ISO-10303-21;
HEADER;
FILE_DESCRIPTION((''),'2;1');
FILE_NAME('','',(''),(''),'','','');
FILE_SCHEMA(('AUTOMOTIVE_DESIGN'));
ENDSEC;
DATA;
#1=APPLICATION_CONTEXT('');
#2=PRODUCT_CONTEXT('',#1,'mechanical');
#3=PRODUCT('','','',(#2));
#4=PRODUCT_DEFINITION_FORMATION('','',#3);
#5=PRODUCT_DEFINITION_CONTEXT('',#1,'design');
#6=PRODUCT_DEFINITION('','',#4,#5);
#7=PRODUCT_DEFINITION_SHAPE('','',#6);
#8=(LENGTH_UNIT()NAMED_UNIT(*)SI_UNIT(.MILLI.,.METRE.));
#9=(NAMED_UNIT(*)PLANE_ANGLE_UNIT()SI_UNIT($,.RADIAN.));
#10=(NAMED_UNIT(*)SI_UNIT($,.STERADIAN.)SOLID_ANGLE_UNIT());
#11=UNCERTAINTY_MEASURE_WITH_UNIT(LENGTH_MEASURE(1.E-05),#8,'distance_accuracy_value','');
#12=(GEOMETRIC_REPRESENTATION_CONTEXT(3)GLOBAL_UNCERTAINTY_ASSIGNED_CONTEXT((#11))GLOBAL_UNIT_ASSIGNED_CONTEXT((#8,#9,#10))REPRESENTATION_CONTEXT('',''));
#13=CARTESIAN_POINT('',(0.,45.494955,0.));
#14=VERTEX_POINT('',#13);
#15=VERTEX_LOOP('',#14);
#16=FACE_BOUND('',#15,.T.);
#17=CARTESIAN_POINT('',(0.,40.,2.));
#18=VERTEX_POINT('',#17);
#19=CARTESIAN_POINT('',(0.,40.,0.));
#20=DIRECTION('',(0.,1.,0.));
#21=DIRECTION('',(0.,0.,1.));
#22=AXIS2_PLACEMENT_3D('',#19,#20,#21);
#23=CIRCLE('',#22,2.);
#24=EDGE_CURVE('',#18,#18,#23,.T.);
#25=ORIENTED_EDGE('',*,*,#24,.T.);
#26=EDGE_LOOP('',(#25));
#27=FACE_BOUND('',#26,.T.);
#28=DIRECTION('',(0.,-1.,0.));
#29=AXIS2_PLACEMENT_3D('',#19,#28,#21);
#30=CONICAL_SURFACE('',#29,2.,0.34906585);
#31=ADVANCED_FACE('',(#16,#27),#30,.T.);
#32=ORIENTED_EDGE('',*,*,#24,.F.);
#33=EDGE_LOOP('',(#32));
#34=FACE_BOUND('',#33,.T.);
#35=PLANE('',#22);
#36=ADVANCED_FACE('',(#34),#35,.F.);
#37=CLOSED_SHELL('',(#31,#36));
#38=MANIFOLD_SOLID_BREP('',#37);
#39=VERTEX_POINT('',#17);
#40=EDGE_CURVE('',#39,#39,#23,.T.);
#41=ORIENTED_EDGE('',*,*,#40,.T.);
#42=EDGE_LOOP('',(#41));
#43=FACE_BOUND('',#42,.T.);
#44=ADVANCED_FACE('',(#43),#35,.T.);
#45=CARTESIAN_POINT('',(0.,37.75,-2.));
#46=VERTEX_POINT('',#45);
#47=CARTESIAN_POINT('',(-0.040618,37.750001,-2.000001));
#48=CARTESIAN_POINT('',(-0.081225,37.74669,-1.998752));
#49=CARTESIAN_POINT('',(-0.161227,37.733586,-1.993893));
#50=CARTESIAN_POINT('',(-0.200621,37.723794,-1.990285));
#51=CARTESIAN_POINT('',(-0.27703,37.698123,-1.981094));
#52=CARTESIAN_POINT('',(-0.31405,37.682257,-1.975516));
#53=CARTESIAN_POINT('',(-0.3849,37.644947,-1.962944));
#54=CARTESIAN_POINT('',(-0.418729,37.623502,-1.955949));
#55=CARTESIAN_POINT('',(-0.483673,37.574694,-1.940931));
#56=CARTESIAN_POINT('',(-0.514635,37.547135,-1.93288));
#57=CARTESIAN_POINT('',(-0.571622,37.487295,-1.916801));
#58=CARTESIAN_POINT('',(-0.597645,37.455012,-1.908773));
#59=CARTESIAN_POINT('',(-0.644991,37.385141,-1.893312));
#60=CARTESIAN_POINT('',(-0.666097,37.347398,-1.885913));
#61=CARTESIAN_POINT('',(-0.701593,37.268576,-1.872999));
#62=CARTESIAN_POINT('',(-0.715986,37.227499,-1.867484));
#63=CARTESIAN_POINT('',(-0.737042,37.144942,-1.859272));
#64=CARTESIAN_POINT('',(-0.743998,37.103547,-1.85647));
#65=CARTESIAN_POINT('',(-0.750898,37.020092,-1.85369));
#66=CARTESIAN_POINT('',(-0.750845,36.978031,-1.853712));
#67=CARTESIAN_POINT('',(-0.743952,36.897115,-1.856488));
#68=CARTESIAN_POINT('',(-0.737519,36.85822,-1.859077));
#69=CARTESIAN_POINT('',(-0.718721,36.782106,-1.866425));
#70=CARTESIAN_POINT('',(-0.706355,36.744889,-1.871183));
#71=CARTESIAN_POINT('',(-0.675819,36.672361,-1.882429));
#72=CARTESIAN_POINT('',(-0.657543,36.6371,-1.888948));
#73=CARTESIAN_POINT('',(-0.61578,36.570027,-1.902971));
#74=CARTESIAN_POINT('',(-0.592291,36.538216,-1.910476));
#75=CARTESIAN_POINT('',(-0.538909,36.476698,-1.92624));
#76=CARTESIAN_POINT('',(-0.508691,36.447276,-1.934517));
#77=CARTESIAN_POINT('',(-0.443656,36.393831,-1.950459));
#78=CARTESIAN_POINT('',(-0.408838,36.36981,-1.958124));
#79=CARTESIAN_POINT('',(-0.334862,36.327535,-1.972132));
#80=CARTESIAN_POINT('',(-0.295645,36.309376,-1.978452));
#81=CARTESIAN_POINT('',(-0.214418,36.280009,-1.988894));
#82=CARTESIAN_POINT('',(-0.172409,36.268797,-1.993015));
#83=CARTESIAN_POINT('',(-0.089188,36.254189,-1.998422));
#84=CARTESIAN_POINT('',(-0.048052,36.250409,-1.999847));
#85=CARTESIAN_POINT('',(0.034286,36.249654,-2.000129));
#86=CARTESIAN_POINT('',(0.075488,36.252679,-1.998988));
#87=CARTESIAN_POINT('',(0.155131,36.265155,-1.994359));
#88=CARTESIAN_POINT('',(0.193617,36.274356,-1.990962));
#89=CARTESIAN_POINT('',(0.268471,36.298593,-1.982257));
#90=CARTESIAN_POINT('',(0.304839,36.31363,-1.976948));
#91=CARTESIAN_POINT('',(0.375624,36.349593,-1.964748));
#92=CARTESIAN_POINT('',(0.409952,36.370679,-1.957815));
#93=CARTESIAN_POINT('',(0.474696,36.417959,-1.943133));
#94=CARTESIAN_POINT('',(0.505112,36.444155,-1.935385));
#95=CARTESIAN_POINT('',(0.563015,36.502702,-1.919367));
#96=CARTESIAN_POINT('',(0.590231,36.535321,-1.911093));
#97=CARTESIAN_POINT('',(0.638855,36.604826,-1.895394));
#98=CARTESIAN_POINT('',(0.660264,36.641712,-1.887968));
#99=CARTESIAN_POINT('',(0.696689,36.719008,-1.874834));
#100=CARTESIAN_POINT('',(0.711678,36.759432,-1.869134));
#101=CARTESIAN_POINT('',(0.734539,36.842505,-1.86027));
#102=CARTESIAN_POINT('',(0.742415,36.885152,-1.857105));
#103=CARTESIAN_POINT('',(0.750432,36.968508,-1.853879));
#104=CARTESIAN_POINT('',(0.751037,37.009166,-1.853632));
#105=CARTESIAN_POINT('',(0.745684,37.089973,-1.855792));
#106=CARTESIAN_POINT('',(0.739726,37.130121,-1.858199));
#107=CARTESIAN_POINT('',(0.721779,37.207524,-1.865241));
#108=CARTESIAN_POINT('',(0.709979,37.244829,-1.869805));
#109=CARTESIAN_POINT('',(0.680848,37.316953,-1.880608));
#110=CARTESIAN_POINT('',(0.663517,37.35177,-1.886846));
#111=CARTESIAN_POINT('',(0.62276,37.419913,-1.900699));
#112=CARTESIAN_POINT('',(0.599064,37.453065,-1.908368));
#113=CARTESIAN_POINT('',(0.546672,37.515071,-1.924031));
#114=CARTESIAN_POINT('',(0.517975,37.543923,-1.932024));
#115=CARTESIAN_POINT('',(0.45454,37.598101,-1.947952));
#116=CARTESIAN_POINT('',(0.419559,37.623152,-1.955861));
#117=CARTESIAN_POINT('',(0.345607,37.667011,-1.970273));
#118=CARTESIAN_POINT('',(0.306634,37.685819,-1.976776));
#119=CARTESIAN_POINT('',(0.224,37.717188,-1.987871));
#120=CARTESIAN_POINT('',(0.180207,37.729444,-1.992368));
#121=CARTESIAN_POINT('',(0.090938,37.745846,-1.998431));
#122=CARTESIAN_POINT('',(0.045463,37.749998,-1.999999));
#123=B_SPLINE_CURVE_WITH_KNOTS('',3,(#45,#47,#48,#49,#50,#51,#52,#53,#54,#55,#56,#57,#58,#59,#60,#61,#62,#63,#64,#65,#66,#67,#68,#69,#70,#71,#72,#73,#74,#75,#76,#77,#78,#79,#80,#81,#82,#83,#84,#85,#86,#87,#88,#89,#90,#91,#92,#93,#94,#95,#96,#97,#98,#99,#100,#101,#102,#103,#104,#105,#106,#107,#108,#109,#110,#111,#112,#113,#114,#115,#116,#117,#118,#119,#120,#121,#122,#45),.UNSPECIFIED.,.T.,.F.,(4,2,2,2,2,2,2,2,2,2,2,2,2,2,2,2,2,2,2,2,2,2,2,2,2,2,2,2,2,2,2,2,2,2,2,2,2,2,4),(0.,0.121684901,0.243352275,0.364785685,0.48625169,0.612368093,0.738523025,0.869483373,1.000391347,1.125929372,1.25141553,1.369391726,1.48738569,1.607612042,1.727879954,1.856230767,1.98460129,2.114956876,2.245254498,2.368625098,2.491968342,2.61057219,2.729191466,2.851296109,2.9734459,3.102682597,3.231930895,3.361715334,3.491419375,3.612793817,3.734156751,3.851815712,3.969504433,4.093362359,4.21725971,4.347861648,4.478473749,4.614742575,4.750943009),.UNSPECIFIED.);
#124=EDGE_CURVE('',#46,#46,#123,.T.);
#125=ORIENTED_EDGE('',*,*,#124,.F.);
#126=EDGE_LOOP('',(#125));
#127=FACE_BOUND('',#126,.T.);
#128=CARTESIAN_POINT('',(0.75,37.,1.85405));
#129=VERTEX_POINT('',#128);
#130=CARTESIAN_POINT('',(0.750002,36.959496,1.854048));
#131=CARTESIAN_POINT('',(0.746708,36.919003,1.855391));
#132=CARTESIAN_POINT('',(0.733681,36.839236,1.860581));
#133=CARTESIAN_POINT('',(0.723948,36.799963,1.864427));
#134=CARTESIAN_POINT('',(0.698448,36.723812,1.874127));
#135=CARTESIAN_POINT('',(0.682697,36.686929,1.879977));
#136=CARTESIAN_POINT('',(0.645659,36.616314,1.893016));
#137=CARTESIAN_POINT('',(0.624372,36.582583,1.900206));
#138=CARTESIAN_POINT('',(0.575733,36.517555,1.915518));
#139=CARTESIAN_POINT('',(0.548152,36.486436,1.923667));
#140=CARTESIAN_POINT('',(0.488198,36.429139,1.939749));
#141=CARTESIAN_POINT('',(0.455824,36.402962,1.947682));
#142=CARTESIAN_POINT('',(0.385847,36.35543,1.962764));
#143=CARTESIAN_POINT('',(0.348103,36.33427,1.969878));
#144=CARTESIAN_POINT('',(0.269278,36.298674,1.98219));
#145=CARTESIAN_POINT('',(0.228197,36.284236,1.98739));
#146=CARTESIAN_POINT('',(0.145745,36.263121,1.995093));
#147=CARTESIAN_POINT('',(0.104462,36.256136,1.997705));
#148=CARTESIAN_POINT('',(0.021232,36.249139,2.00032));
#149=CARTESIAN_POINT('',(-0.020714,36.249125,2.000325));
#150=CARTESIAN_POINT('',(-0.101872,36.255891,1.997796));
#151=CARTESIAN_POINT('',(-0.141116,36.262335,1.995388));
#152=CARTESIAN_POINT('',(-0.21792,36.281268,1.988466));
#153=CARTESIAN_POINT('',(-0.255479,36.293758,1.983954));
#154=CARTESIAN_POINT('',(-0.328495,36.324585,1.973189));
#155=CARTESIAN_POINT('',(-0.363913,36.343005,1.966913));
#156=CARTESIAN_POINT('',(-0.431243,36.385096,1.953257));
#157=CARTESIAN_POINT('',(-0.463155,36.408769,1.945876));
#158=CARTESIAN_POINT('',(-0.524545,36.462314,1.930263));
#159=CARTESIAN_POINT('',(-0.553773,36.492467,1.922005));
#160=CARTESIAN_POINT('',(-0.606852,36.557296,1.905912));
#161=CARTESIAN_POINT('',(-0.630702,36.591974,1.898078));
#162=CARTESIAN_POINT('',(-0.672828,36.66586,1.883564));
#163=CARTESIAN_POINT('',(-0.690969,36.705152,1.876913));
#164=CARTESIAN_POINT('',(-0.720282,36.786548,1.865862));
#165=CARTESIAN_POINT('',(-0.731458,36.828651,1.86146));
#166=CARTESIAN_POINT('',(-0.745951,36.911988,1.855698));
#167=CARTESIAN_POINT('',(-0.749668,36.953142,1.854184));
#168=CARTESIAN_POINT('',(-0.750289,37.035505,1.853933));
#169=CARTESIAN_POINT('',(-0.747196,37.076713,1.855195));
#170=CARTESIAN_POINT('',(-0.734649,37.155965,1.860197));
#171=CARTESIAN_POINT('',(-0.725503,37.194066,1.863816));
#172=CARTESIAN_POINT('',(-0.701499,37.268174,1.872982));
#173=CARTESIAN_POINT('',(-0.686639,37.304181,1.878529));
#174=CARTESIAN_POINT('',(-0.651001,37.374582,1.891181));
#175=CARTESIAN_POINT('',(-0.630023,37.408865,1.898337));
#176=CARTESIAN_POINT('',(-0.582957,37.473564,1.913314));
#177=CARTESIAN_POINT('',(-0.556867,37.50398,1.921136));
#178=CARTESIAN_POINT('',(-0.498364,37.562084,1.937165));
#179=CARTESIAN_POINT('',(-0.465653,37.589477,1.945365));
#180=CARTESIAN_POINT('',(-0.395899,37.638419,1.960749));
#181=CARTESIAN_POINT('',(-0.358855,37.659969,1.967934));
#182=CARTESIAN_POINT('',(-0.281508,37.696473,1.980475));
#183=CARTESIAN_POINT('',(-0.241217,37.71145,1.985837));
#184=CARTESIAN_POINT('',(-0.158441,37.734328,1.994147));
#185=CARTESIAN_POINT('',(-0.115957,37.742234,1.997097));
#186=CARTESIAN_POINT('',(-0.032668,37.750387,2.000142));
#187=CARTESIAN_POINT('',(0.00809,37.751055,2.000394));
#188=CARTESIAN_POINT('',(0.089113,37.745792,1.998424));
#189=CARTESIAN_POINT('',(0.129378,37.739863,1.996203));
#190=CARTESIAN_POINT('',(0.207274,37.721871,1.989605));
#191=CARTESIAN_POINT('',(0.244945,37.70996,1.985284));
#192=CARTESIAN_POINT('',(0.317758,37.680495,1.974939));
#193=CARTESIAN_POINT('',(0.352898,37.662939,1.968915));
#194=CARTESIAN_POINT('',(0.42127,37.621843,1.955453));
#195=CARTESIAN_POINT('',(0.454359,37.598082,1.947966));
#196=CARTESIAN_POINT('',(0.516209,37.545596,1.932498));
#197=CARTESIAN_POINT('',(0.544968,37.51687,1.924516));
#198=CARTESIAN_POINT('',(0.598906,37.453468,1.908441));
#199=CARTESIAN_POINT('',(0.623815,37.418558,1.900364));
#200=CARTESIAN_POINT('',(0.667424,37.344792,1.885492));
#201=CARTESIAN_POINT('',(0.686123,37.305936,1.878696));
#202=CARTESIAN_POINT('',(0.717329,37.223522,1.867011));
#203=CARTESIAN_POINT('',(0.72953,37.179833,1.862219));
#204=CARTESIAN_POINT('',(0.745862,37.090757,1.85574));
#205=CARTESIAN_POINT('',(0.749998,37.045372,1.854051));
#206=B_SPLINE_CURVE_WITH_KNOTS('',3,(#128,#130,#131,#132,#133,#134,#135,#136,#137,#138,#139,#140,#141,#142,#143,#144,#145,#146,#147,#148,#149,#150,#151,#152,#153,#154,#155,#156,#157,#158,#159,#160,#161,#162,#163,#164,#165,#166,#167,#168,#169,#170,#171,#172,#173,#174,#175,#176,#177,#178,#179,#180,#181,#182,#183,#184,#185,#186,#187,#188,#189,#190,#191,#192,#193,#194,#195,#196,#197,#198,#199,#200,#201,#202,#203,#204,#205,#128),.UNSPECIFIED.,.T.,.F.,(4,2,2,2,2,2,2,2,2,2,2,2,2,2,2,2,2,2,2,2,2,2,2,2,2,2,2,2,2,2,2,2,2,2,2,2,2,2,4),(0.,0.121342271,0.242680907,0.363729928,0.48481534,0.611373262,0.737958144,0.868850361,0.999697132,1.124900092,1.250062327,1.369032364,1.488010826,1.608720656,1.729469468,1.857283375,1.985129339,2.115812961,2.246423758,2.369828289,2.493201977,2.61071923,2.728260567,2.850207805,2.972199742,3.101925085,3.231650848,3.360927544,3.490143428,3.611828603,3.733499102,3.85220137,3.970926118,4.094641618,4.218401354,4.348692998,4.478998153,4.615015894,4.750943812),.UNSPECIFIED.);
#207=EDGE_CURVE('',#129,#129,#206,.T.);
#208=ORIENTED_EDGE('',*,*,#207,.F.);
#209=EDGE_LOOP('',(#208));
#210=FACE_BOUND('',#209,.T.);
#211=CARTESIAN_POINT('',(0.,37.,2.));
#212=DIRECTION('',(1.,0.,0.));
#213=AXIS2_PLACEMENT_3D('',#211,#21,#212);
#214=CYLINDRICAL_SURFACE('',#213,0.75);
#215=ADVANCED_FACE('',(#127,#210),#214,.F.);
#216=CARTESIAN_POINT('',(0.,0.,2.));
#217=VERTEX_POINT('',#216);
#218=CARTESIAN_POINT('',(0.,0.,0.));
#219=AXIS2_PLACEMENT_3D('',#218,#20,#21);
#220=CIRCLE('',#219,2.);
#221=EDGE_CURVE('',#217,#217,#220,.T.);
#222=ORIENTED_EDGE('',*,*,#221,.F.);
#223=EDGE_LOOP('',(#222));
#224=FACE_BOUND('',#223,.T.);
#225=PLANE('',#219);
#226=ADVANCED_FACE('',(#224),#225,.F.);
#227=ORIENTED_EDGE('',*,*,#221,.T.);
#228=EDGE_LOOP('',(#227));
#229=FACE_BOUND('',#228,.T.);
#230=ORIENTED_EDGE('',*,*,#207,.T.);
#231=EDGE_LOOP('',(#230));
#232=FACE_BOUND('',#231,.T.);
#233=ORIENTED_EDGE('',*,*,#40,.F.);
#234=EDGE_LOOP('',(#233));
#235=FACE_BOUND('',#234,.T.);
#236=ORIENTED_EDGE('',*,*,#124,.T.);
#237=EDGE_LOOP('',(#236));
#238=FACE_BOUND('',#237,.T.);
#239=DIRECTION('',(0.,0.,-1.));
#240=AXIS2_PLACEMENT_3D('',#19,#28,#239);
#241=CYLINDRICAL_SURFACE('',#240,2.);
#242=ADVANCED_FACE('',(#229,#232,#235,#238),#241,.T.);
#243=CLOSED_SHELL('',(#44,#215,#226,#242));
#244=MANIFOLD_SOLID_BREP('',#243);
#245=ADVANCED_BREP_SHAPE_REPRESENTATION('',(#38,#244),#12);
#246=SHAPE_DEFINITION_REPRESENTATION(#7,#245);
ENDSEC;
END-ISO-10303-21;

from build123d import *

# Parameters (mm, degrees)
SKETCH1_R           = 2
BOSS_EXTRUDE1_DEPTH = 40
SKETCH21_W          = 0.75
SKETCH21_H          = 4


with BuildPart() as part:
    # Sketch1 → Boss-Extrude1 (new body)
    with BuildSketch(Plane(origin=(0, 0, 0), x_dir=(1, 0, 0), z_dir=(0, 1, 0))):
        with Locations(Location((0, 0, 0), (0, 0, 270))):
            Circle(SKETCH1_R)
    extrude(amount=BOSS_EXTRUDE1_DEPTH)

    # Sketch21 → Ø1.5mm Dowel Hole4 (revolve, cut)
    with BuildSketch(Plane(origin=(0, 37, 2), x_dir=(0, -1, 0), z_dir=(1, 0, 0))):
        with Locations((0.375, 2)):
            Rectangle(SKETCH21_W, SKETCH21_H)
    revolve(axis=Axis((0, 37, 8.35), (0, 0, -1)), mode=Mode.SUBTRACT)


with BuildPart() as body_2:
    # Boss-Extrude2 cone 1 section (through the dimple's axis) → Boss-Extrude2 (revolve)
    with BuildSketch(Plane(origin=(0, 40, 0), x_dir=(0, 0, -1), z_dir=(1, 0, 0))):
        Polygon((0, 0), (2, 0), (0, 5.494954839), align=None)
    revolve(axis=Axis((0, 40, 0), (0, 1, 0)))


solid = Compound([part.part, body_2.part])
